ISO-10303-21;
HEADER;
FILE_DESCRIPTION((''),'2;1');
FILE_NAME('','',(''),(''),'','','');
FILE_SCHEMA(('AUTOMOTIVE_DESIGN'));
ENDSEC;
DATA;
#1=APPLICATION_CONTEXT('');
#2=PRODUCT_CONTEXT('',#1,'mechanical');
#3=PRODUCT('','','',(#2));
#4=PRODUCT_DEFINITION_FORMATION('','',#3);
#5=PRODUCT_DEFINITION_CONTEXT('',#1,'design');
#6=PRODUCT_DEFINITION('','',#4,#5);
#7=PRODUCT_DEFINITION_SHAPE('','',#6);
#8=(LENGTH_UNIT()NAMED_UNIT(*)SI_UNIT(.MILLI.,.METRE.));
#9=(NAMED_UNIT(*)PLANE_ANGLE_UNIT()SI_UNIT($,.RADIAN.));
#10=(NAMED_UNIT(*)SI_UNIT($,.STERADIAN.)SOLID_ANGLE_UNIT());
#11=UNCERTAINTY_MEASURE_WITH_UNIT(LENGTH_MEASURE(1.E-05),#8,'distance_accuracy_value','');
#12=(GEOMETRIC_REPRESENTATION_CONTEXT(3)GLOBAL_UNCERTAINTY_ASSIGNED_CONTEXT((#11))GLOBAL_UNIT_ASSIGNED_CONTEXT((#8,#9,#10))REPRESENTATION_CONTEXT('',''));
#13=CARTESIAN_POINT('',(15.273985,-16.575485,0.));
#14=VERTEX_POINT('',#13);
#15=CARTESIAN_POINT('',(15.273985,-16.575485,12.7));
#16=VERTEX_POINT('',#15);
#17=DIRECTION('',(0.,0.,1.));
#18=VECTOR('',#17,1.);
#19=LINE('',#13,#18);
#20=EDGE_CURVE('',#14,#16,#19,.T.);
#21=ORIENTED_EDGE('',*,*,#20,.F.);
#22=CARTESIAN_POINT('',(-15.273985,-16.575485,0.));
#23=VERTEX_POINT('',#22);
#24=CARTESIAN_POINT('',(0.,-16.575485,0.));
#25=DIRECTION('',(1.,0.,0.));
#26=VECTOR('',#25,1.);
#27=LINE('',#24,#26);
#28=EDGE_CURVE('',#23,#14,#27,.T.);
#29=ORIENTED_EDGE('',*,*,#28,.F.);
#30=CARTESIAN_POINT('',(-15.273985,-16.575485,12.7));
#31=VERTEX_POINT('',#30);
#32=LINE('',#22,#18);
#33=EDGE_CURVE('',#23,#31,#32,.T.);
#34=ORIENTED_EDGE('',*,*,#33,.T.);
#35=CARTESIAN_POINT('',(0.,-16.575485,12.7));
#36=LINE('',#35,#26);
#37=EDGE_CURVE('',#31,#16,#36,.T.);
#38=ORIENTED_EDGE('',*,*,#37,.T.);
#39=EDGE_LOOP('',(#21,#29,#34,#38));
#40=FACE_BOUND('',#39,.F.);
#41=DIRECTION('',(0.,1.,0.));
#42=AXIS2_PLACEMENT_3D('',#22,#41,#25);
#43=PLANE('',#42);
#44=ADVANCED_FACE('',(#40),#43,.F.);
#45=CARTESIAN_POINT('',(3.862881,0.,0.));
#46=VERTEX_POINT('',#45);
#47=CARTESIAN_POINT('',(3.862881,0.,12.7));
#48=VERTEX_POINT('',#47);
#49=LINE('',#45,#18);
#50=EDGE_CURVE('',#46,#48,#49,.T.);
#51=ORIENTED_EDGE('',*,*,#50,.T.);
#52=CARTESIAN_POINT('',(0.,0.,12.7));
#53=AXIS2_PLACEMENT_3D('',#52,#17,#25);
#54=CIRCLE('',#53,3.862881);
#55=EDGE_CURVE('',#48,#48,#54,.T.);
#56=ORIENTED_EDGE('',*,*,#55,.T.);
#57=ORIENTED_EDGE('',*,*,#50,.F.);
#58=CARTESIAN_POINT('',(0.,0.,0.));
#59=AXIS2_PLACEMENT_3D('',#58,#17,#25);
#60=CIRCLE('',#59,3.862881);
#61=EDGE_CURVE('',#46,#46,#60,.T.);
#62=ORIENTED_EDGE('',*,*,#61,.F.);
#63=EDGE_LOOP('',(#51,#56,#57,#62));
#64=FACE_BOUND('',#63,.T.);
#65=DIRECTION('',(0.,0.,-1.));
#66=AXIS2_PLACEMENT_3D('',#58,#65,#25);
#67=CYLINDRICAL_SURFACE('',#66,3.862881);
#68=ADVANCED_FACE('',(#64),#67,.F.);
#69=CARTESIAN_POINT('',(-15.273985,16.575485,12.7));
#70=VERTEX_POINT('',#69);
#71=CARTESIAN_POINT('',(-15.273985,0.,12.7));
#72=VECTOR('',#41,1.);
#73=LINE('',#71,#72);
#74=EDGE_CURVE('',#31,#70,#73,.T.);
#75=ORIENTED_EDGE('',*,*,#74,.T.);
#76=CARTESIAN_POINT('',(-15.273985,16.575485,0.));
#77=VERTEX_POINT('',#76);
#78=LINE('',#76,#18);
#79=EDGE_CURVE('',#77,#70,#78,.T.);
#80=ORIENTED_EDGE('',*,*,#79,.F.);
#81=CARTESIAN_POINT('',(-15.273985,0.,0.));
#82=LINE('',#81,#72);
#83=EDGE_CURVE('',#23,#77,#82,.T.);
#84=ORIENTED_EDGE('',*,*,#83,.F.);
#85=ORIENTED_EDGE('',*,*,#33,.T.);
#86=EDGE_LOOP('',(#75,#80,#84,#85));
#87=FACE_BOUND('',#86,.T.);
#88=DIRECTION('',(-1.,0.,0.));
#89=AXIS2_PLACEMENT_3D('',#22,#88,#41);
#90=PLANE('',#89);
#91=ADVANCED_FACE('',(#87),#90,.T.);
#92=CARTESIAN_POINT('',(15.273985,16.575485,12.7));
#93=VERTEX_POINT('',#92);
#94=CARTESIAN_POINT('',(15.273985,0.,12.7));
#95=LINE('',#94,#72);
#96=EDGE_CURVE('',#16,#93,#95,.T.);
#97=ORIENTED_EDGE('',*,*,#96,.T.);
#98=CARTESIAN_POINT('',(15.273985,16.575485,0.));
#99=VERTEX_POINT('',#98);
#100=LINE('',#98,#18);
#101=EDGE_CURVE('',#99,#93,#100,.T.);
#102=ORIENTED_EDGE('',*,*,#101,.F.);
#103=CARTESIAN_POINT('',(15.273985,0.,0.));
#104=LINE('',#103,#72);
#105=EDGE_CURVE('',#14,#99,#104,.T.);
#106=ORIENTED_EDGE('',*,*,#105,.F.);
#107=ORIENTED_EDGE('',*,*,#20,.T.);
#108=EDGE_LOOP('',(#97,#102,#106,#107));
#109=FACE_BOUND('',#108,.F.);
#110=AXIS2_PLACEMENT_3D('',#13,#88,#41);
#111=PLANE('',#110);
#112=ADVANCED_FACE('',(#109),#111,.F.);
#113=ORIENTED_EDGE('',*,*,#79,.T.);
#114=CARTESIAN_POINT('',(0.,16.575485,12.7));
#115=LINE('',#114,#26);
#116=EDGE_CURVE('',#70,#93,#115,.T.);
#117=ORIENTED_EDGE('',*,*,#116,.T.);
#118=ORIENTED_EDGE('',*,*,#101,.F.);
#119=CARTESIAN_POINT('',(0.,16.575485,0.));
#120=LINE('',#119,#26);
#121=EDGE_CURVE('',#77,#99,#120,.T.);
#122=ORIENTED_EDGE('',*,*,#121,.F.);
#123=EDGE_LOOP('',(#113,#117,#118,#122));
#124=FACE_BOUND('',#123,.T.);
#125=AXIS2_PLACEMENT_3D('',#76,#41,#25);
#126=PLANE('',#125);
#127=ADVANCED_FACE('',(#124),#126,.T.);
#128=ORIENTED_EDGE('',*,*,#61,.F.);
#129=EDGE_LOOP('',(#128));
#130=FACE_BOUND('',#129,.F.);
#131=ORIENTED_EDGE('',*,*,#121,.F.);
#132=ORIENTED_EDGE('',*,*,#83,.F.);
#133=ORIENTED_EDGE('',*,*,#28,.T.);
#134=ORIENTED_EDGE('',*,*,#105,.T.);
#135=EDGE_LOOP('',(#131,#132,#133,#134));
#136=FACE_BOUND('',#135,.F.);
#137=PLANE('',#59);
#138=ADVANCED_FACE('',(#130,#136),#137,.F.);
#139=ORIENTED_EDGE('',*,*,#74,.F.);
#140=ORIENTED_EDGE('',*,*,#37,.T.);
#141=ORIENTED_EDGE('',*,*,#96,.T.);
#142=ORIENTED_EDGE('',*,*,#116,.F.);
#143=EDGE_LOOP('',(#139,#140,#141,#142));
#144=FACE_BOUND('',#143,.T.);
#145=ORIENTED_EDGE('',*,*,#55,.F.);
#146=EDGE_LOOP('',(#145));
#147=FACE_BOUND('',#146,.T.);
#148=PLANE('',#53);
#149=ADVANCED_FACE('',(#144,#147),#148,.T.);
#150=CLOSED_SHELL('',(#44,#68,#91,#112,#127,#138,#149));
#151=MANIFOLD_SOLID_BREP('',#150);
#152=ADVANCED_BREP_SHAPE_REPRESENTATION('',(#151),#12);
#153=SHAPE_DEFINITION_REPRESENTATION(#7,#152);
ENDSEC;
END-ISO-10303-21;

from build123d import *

# Parameters (mm, degrees)
F1_W     = 30.5479690433
F1_H     = 33.1509709358
F1_W_2   = 16.4528656751
F1_H_2   = 12.8562636673
F1_R     = 3.862880512
F2_DEPTH = 12.7


with BuildPart() as f2:
    # F1 (on face) → F2 (new body)
    with BuildSketch(Plane.XY):
        Rectangle(F1_W, F1_H)
        Rectangle(F1_W_2, F1_H_2, mode=Mode.SUBTRACT)
        Rectangle(F1_W_2, F1_H_2)
        Circle(F1_R, mode=Mode.SUBTRACT)
    extrude(amount=F2_DEPTH)


solid = f2.part
